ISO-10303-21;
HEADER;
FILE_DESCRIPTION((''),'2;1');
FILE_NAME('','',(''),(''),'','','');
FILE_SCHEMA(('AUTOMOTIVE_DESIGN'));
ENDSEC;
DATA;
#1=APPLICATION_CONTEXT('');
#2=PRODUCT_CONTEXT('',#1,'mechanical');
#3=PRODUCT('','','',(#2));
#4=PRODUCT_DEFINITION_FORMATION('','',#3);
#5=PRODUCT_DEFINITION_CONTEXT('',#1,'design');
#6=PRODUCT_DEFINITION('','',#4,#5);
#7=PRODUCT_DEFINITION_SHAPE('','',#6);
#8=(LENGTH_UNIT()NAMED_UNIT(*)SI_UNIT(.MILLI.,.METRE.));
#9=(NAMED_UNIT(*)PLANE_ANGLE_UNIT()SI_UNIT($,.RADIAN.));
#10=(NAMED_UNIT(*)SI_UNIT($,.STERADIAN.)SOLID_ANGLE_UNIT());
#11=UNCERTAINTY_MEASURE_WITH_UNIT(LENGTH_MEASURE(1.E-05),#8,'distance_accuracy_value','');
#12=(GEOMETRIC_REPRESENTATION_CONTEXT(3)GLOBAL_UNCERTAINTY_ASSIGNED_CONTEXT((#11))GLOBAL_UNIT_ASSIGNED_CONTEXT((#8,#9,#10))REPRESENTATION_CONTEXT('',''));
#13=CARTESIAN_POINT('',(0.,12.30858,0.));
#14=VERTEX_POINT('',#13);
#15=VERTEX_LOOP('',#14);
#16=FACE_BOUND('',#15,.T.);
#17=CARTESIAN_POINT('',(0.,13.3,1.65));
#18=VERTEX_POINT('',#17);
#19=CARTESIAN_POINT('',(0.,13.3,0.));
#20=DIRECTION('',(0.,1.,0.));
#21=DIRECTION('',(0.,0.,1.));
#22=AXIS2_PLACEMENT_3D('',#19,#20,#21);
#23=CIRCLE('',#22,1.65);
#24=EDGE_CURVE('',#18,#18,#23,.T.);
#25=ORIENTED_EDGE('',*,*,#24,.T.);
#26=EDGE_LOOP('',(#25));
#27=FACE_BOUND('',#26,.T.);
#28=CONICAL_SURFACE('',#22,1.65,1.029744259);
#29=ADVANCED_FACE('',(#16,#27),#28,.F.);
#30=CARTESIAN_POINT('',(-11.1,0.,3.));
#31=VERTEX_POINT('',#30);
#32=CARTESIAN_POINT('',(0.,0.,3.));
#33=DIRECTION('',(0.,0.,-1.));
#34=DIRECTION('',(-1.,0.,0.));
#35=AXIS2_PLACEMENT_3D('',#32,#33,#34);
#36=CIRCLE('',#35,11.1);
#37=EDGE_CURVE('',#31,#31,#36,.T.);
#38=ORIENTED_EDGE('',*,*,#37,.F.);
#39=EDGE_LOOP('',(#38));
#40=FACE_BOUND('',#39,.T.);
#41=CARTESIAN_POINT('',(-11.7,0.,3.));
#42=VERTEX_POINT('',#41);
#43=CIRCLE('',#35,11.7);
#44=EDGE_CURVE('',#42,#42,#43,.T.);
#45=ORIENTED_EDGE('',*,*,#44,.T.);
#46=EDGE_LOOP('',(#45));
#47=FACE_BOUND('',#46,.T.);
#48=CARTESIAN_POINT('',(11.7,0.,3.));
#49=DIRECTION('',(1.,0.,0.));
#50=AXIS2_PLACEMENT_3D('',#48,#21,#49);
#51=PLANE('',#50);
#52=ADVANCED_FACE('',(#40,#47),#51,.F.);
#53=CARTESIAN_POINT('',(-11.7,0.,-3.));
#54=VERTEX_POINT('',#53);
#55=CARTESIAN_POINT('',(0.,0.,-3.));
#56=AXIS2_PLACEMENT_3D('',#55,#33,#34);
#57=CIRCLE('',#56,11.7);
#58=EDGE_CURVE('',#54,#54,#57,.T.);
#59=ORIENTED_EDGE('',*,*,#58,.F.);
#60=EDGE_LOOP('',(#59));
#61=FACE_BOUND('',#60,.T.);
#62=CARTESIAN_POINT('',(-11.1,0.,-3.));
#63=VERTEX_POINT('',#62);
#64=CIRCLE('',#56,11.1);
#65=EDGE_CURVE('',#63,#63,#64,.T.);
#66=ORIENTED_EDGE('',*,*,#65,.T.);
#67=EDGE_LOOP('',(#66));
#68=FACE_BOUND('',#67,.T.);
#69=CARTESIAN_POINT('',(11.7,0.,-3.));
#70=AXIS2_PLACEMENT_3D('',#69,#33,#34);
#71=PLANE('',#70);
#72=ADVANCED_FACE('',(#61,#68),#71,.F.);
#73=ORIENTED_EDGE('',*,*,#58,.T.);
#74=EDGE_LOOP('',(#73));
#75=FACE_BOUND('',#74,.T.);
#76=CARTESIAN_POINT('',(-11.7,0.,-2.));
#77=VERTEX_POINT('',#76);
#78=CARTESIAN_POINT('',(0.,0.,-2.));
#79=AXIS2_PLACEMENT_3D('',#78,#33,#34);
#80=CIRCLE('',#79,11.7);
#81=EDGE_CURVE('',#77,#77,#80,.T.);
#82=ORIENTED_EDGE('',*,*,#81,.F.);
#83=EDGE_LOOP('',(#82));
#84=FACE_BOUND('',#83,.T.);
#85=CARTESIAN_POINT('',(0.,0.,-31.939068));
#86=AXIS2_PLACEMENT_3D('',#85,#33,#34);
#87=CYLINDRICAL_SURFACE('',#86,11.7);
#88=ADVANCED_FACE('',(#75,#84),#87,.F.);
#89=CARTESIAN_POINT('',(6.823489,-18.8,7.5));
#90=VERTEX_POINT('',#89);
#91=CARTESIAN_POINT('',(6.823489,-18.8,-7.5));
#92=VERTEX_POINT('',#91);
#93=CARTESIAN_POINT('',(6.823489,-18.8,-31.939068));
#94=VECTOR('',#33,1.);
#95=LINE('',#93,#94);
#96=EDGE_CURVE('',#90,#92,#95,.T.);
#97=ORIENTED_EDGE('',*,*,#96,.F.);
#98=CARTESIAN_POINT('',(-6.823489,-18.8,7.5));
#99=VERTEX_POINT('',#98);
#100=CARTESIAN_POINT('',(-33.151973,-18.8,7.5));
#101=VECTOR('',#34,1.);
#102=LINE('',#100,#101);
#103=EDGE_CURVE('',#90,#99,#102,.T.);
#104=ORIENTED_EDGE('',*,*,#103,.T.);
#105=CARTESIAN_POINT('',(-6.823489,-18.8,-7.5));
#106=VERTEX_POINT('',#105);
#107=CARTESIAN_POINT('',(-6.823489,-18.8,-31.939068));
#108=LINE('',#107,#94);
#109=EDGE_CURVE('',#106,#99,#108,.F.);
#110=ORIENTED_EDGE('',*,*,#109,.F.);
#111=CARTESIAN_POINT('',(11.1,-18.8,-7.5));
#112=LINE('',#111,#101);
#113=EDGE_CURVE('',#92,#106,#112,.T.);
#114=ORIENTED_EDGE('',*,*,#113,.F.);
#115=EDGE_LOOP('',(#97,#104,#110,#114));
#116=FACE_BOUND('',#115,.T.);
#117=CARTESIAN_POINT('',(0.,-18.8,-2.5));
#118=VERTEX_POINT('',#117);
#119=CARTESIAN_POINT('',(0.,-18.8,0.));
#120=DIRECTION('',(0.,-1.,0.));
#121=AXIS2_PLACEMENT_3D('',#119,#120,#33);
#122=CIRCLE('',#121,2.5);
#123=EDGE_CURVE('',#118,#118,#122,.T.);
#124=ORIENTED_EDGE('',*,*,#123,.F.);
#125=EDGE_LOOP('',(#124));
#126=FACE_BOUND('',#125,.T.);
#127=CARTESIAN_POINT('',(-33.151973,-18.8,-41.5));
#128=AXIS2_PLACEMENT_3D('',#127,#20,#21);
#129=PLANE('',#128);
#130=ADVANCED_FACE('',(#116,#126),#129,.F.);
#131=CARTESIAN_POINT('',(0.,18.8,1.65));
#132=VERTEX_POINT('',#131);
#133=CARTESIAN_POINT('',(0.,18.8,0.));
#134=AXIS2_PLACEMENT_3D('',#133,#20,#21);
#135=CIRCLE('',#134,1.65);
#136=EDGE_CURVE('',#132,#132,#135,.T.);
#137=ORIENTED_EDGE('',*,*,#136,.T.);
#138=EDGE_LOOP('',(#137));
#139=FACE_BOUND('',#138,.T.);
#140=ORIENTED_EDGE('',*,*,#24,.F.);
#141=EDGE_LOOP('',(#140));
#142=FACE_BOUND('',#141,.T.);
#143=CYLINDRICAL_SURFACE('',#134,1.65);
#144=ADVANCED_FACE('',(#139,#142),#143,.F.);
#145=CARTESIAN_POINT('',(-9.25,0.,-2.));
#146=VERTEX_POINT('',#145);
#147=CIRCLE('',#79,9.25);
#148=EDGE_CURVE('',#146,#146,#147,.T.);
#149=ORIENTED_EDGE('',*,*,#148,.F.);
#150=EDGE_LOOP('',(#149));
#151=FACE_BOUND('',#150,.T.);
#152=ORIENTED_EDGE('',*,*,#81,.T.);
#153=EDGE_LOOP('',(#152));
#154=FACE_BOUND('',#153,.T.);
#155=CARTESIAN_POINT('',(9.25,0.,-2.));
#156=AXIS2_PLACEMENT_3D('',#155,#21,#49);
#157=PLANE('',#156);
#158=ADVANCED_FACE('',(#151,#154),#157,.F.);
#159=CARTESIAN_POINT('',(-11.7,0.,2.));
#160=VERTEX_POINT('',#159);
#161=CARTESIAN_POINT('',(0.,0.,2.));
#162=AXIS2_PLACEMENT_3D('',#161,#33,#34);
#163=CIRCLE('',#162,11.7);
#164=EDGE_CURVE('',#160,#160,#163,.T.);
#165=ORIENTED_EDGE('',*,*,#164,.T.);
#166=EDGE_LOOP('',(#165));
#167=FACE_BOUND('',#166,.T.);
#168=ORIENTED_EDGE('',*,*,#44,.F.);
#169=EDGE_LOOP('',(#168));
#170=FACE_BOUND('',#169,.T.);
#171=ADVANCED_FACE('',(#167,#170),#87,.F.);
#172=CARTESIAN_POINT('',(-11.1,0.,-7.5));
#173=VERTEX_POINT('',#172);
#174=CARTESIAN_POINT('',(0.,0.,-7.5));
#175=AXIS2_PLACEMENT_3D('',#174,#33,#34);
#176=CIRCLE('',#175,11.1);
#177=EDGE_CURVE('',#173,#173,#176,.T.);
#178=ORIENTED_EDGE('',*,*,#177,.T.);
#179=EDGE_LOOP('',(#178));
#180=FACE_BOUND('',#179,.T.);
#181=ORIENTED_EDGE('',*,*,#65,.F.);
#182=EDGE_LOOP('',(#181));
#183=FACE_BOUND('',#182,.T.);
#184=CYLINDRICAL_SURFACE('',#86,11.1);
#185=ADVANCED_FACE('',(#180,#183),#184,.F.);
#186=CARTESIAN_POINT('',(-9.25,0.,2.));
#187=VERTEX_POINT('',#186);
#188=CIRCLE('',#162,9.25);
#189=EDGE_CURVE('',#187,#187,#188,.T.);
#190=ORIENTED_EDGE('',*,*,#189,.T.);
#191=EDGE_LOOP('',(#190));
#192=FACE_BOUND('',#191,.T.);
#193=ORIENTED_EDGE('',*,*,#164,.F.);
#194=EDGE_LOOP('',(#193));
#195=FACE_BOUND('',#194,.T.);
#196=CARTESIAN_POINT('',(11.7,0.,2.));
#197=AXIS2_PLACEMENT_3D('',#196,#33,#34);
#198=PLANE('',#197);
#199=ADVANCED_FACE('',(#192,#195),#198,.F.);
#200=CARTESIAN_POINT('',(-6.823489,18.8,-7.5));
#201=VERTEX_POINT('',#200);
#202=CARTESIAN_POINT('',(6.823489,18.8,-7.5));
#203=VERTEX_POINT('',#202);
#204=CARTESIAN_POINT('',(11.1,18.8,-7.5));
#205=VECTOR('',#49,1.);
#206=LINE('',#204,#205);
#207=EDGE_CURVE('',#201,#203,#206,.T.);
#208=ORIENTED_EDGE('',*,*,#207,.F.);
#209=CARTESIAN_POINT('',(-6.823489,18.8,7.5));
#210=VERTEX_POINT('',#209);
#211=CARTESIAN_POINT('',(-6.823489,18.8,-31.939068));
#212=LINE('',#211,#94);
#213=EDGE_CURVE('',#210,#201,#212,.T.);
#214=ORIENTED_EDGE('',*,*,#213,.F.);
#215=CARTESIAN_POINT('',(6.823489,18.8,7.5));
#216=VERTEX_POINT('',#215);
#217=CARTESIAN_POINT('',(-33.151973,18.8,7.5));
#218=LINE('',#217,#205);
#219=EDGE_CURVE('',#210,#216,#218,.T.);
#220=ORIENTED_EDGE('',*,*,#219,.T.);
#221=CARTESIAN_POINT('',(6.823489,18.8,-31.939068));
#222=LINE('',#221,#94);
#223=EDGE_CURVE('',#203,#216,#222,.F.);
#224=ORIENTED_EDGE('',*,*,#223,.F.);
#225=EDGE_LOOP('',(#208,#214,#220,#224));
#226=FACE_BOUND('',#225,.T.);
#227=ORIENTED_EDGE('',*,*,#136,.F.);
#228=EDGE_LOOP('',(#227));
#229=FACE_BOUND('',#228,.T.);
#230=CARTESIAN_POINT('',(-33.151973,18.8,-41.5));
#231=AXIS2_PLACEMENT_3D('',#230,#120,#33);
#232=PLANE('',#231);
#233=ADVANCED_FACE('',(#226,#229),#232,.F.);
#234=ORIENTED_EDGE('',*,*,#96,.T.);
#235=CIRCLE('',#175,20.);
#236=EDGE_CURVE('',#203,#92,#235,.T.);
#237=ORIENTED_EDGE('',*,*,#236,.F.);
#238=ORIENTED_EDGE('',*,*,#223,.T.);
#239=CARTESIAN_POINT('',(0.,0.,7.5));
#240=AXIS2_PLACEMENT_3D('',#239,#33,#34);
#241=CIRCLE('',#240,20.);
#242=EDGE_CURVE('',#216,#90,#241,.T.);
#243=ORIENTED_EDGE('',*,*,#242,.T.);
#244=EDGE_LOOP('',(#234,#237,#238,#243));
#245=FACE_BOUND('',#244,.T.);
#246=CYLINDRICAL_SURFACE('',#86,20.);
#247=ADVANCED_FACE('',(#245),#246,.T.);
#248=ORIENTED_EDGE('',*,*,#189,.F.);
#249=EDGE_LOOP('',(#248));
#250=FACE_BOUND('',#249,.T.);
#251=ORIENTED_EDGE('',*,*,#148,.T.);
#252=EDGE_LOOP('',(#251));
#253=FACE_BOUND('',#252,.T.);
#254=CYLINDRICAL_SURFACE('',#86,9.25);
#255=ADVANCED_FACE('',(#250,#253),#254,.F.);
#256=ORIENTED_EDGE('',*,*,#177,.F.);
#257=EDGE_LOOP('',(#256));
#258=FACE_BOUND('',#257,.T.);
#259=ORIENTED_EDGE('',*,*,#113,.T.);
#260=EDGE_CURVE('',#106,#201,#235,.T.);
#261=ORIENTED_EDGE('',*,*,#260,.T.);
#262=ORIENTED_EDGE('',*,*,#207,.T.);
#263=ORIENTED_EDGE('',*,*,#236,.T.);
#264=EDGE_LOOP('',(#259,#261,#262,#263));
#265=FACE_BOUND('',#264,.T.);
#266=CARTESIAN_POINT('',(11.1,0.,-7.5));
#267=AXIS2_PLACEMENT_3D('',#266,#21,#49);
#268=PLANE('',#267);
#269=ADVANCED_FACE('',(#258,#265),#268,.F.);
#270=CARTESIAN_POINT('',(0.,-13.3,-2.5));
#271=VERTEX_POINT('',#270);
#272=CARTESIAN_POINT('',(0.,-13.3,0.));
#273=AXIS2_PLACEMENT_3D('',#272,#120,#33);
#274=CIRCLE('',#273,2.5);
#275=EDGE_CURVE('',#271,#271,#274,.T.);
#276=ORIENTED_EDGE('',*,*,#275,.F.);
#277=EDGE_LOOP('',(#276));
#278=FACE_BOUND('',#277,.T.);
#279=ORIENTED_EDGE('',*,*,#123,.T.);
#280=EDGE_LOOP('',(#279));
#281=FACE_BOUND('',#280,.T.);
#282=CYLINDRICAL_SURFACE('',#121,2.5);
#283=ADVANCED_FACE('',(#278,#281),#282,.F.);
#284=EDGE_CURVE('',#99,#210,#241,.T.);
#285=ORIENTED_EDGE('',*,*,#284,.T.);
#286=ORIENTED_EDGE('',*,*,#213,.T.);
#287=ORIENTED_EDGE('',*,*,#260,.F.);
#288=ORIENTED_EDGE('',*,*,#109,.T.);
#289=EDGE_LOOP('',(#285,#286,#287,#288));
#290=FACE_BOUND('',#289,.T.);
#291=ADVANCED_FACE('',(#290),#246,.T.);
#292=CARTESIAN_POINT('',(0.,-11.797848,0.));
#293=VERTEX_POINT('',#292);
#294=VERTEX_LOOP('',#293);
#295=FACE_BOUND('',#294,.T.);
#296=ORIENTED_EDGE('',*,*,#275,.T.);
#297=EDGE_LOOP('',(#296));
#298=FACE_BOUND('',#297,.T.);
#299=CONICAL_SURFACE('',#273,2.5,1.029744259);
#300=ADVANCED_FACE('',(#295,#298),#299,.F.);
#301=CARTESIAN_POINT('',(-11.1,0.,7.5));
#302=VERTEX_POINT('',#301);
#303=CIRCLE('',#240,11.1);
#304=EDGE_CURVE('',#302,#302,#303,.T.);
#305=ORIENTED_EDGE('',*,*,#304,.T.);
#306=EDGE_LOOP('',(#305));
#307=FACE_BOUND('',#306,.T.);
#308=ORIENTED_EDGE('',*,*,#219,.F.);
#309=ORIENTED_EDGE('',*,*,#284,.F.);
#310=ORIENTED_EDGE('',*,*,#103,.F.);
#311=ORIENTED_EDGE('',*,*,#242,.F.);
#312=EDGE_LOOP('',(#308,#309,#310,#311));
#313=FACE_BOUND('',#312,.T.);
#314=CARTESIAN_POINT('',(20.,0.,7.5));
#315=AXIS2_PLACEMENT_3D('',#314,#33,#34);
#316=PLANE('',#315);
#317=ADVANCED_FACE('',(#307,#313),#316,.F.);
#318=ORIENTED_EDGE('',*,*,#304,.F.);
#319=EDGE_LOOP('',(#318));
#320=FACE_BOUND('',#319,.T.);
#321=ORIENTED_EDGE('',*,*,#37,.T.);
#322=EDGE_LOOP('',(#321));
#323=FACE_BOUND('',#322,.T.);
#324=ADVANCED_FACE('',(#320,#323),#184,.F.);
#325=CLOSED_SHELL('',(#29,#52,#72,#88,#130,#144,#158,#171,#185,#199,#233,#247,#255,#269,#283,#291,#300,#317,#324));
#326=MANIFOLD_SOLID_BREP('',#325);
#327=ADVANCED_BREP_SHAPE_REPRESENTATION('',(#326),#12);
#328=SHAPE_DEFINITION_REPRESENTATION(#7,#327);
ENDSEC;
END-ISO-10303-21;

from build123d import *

# Parameters (mm, degrees)
SKETCH_2_W             = 64.02174429
SKETCH_2_H             = 9.248919907
CUT_EXTRUDE_1_DEPTH    = 49
HOLE_WIZARD_M4_2_D     = 3.3
HOLE_WIZARD_M4_2_DEPTH = 5.5
HOLE_WIZARD_M4_2_TIP   = 0.991420021
HOLE_WIZARD_M6_2_D     = 5
HOLE_WIZARD_M6_2_DEPTH = 5.5
HOLE_WIZARD_M6_2_TIP   = 1.502151548


with BuildPart() as part:
    # 草图1 → 旋转1 (revolve)
    with BuildSketch(Plane(origin=(0, 0, 0), x_dir=(1, 0, 0), z_dir=(0, 1, 0)), mode=Mode.PRIVATE) as revolve_1_sk:
        Polygon((20, 7.5), (20, -7.5), (11.1, -7.5), (11.1, -3), (11.7, -3), (11.7, -2), (9.25, -2), (9.25, 2), (11.7, 2), (11.7, 3), (11.1, 3), (11.1, 7.5), align=None)
    revolve(revolve_1_sk.sketch.rotate(Axis((0, 0, -31.9390681), (0, 0, 1)), 180), axis=Axis((0, 0, -31.9390681), (0, 0, 1)))  # turned: the seam where the file's is

    # 草图2 → 切除-拉伸1 (cut)
    with BuildSketch(Plane.XY.offset(7.5)):
        with Locations((-1.141100508, 23.424459954)):
            Rectangle(SKETCH_2_W, SKETCH_2_H)
        with Locations((-1.141100508, -23.424459954)):
            Rectangle(SKETCH_2_W, SKETCH_2_H)
    extrude(amount=-CUT_EXTRUDE_1_DEPTH, mode=Mode.SUBTRACT)

    # M4 螺纹孔2
    with Locations(Plane(origin=(0, 18.8, 0), x_dir=(1, 0, 0), z_dir=(0, 1, 0))):
        with Locations((0, 0)):
            Hole(HOLE_WIZARD_M4_2_D / 2, depth=HOLE_WIZARD_M4_2_DEPTH)
            with Locations((0, 0, -(HOLE_WIZARD_M4_2_DEPTH + HOLE_WIZARD_M4_2_TIP / 2))):  # 118° drill point
                Cone(0, HOLE_WIZARD_M4_2_D / 2, HOLE_WIZARD_M4_2_TIP, mode=Mode.SUBTRACT)

    # M6 螺纹孔2
    with Locations(Plane(origin=(0, -18.8, 0), x_dir=(-1, 0, 0), z_dir=(0, -1, 0))):
        with Locations((0, 0)):
            Hole(HOLE_WIZARD_M6_2_D / 2, depth=HOLE_WIZARD_M6_2_DEPTH)
            with Locations((0, 0, -(HOLE_WIZARD_M6_2_DEPTH + HOLE_WIZARD_M6_2_TIP / 2))):  # 118° drill point
                Cone(0, HOLE_WIZARD_M6_2_D / 2, HOLE_WIZARD_M6_2_TIP, mode=Mode.SUBTRACT)


solid = part.part
